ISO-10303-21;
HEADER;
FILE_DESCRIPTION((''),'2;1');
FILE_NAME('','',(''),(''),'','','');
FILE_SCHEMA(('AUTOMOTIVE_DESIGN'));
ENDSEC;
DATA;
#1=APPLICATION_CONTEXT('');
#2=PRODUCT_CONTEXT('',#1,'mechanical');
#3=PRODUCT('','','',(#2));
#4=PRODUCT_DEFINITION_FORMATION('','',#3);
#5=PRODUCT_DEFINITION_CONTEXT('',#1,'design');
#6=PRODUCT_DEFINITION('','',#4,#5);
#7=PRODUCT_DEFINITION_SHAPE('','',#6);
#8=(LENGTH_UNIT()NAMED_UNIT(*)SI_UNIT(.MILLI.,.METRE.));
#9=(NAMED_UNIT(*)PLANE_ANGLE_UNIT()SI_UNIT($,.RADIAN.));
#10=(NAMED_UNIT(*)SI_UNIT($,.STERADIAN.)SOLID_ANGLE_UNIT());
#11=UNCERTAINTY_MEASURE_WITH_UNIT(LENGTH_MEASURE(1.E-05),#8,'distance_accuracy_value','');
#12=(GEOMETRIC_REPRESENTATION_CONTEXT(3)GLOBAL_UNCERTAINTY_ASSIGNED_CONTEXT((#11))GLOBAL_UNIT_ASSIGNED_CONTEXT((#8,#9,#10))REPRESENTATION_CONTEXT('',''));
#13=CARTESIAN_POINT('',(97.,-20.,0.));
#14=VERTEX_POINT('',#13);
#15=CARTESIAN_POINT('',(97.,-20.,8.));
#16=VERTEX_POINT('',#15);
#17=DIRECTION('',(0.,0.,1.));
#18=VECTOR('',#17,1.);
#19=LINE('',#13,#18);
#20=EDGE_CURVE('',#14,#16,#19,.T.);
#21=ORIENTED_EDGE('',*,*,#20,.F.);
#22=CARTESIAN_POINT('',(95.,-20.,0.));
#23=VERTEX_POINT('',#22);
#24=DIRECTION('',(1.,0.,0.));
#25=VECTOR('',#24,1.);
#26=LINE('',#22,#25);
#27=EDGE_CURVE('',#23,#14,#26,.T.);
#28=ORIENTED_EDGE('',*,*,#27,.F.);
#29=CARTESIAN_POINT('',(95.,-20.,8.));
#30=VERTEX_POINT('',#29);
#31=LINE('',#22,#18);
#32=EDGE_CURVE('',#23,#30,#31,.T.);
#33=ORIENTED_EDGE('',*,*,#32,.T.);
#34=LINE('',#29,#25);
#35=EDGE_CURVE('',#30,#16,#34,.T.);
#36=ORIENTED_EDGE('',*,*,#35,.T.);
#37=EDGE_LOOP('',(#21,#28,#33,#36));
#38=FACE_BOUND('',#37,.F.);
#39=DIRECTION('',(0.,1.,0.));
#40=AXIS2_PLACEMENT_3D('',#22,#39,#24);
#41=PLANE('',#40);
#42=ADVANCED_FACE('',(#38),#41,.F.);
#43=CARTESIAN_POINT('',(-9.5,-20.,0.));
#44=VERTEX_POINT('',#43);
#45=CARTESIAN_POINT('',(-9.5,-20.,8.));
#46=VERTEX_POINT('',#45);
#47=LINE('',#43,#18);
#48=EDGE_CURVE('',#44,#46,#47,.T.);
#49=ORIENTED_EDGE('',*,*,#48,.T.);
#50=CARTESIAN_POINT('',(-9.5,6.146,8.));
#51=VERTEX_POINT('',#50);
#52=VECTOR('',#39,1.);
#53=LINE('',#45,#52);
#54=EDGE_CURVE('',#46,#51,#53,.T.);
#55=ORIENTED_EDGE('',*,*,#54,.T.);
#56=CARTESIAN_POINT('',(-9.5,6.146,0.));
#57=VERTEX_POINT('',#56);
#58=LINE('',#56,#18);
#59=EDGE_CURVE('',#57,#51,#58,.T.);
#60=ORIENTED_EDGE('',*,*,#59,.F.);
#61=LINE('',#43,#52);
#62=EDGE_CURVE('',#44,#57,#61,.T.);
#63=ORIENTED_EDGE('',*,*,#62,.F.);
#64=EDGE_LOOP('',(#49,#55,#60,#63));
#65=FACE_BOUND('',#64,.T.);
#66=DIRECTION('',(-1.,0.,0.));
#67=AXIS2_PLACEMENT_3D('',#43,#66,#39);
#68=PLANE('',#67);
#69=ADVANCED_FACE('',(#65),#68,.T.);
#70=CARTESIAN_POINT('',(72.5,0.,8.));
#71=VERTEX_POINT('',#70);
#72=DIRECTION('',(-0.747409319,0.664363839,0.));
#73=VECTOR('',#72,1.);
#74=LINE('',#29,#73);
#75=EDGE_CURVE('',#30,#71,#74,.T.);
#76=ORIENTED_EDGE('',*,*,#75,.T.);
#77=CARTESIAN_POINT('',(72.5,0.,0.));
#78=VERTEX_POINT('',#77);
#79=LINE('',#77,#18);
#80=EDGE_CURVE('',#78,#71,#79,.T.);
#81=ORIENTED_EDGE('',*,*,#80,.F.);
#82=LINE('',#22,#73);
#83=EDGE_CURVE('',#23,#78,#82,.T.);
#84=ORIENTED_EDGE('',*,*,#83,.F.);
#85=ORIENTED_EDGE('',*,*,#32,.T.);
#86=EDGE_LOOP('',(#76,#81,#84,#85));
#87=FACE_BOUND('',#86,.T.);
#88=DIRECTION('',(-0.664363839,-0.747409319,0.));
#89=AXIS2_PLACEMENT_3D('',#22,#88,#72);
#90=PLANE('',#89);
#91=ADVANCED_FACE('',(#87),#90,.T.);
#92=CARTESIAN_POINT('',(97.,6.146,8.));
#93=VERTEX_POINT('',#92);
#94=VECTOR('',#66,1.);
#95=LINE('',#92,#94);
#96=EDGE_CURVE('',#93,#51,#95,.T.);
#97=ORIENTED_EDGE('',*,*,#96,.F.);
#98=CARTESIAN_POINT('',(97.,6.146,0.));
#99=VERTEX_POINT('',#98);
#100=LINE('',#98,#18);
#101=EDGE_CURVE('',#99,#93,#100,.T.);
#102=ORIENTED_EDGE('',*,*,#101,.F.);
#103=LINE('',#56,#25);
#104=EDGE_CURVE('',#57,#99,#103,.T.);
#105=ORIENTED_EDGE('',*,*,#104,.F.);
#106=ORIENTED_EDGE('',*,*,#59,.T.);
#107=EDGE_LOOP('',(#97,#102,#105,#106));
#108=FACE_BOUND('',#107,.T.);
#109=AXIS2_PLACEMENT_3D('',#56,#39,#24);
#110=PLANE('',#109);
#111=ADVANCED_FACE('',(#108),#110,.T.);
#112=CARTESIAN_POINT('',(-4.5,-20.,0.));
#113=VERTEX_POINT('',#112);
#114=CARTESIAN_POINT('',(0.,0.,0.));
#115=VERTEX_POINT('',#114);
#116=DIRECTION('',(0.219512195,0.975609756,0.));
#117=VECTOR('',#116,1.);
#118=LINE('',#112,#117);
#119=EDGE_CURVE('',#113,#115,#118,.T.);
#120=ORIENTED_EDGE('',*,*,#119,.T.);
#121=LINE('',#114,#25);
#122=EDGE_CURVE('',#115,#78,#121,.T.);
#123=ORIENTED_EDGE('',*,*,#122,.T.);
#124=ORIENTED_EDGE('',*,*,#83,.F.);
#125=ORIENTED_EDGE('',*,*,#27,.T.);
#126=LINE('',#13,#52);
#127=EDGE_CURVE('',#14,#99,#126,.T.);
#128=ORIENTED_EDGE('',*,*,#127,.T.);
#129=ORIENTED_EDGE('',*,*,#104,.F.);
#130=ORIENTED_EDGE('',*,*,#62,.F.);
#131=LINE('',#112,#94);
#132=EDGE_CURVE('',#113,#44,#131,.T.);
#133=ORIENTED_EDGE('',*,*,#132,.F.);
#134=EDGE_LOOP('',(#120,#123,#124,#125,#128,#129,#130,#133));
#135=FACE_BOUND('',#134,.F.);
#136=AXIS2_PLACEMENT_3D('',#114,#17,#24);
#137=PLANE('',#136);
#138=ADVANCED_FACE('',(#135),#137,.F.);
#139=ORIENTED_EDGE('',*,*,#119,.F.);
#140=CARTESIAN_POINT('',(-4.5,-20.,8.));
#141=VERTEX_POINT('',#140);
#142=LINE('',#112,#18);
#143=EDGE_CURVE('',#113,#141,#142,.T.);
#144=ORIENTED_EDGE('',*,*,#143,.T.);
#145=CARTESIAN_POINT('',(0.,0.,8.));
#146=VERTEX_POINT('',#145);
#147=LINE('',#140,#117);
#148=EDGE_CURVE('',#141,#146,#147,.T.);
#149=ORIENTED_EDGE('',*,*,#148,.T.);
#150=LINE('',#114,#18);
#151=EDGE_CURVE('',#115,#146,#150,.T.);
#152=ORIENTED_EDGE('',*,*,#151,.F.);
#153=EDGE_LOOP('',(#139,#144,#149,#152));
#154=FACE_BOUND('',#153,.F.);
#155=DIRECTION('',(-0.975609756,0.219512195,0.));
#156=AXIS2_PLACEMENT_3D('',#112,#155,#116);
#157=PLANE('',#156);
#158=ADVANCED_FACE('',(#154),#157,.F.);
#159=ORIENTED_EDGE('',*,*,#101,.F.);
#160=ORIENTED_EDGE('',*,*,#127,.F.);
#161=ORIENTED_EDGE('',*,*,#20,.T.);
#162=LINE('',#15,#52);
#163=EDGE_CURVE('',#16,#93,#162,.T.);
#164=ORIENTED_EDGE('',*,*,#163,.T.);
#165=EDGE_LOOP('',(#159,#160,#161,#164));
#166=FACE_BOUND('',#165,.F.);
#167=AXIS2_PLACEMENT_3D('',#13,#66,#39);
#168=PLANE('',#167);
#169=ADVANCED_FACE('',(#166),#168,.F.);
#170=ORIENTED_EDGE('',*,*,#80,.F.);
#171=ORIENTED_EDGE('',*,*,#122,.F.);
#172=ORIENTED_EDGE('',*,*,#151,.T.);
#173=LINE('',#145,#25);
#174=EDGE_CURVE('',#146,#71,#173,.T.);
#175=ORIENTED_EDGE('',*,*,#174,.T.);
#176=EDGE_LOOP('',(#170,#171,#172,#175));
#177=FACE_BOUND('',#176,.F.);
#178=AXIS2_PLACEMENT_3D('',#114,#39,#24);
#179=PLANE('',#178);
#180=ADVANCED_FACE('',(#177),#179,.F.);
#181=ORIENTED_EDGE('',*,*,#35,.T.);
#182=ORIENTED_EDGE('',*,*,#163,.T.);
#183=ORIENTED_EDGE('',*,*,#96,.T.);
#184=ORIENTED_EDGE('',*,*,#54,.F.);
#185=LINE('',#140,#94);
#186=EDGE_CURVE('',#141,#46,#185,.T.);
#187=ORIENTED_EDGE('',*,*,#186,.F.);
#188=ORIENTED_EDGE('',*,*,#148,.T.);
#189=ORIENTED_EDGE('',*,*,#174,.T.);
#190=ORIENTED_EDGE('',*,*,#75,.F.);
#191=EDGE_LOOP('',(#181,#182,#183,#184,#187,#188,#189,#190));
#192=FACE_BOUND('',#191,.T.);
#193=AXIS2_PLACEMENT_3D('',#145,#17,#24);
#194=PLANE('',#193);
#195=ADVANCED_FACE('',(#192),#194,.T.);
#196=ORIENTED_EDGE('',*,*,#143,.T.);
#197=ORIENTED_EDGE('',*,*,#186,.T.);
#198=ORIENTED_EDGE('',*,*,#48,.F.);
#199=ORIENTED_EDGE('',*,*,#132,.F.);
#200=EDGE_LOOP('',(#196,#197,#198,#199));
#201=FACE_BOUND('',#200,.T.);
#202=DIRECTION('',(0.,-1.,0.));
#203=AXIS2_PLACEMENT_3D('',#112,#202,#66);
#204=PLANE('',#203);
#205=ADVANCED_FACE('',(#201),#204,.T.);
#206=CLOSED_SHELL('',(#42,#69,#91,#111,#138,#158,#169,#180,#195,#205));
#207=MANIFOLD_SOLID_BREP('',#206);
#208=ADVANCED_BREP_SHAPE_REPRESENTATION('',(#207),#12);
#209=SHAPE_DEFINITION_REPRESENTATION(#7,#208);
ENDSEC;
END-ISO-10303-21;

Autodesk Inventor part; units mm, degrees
ref_plane "YZ Plane" through (0, 0, 0) normal (1, 0, 0) x (0, 1, 0)
ref_plane "XZ Plane" through (0, 0, 0) normal (0, 1, 0) x (-1, 0, 0)
ref_plane "XY Plane" through (0, 0, 0) normal (0, 0, 1) x (1, 0, 0)
sketch "Эскиз1" plane through (0, 0, 0) normal (0, 0, 1) x (1, 0, 0)
  line L0 (0, 0) -> (0, 6.146)
  line L1 (0, 0) -> (72.5, 0)
  line L2 (72.5, 0) -> (72.5, 6.146)
  line L3 (72.5, 6.146) -> (0, 6.146)
  line L4 (95, -20) -> (72.5, 0)
  line L5 (-4.5, -20) -> (0, 0)
  line L6 (-4.5, -20) -> (-9.5, -20)
  line L7 (-9.5, -20) -> (-9.5, 6.146)
  line L8 (-9.5, 6.146) -> (0, 6.146)
  line L9 (95, -20) -> (97, -20)
  line L10 (97, -20) -> (97, 6.146)
  line L11 (97, 6.146) -> (72.5, 6.146)
  point P0 (100, 6.146)
  dimension "d0" = 6.146
  dimension "d1" = 72.5
  dimension "d5" = 5
  dimension "d9" = 2
extrude "Выдавливание1" add sketch "Эскиз1" along normal blind 8
properties part number "vydacha_6"
